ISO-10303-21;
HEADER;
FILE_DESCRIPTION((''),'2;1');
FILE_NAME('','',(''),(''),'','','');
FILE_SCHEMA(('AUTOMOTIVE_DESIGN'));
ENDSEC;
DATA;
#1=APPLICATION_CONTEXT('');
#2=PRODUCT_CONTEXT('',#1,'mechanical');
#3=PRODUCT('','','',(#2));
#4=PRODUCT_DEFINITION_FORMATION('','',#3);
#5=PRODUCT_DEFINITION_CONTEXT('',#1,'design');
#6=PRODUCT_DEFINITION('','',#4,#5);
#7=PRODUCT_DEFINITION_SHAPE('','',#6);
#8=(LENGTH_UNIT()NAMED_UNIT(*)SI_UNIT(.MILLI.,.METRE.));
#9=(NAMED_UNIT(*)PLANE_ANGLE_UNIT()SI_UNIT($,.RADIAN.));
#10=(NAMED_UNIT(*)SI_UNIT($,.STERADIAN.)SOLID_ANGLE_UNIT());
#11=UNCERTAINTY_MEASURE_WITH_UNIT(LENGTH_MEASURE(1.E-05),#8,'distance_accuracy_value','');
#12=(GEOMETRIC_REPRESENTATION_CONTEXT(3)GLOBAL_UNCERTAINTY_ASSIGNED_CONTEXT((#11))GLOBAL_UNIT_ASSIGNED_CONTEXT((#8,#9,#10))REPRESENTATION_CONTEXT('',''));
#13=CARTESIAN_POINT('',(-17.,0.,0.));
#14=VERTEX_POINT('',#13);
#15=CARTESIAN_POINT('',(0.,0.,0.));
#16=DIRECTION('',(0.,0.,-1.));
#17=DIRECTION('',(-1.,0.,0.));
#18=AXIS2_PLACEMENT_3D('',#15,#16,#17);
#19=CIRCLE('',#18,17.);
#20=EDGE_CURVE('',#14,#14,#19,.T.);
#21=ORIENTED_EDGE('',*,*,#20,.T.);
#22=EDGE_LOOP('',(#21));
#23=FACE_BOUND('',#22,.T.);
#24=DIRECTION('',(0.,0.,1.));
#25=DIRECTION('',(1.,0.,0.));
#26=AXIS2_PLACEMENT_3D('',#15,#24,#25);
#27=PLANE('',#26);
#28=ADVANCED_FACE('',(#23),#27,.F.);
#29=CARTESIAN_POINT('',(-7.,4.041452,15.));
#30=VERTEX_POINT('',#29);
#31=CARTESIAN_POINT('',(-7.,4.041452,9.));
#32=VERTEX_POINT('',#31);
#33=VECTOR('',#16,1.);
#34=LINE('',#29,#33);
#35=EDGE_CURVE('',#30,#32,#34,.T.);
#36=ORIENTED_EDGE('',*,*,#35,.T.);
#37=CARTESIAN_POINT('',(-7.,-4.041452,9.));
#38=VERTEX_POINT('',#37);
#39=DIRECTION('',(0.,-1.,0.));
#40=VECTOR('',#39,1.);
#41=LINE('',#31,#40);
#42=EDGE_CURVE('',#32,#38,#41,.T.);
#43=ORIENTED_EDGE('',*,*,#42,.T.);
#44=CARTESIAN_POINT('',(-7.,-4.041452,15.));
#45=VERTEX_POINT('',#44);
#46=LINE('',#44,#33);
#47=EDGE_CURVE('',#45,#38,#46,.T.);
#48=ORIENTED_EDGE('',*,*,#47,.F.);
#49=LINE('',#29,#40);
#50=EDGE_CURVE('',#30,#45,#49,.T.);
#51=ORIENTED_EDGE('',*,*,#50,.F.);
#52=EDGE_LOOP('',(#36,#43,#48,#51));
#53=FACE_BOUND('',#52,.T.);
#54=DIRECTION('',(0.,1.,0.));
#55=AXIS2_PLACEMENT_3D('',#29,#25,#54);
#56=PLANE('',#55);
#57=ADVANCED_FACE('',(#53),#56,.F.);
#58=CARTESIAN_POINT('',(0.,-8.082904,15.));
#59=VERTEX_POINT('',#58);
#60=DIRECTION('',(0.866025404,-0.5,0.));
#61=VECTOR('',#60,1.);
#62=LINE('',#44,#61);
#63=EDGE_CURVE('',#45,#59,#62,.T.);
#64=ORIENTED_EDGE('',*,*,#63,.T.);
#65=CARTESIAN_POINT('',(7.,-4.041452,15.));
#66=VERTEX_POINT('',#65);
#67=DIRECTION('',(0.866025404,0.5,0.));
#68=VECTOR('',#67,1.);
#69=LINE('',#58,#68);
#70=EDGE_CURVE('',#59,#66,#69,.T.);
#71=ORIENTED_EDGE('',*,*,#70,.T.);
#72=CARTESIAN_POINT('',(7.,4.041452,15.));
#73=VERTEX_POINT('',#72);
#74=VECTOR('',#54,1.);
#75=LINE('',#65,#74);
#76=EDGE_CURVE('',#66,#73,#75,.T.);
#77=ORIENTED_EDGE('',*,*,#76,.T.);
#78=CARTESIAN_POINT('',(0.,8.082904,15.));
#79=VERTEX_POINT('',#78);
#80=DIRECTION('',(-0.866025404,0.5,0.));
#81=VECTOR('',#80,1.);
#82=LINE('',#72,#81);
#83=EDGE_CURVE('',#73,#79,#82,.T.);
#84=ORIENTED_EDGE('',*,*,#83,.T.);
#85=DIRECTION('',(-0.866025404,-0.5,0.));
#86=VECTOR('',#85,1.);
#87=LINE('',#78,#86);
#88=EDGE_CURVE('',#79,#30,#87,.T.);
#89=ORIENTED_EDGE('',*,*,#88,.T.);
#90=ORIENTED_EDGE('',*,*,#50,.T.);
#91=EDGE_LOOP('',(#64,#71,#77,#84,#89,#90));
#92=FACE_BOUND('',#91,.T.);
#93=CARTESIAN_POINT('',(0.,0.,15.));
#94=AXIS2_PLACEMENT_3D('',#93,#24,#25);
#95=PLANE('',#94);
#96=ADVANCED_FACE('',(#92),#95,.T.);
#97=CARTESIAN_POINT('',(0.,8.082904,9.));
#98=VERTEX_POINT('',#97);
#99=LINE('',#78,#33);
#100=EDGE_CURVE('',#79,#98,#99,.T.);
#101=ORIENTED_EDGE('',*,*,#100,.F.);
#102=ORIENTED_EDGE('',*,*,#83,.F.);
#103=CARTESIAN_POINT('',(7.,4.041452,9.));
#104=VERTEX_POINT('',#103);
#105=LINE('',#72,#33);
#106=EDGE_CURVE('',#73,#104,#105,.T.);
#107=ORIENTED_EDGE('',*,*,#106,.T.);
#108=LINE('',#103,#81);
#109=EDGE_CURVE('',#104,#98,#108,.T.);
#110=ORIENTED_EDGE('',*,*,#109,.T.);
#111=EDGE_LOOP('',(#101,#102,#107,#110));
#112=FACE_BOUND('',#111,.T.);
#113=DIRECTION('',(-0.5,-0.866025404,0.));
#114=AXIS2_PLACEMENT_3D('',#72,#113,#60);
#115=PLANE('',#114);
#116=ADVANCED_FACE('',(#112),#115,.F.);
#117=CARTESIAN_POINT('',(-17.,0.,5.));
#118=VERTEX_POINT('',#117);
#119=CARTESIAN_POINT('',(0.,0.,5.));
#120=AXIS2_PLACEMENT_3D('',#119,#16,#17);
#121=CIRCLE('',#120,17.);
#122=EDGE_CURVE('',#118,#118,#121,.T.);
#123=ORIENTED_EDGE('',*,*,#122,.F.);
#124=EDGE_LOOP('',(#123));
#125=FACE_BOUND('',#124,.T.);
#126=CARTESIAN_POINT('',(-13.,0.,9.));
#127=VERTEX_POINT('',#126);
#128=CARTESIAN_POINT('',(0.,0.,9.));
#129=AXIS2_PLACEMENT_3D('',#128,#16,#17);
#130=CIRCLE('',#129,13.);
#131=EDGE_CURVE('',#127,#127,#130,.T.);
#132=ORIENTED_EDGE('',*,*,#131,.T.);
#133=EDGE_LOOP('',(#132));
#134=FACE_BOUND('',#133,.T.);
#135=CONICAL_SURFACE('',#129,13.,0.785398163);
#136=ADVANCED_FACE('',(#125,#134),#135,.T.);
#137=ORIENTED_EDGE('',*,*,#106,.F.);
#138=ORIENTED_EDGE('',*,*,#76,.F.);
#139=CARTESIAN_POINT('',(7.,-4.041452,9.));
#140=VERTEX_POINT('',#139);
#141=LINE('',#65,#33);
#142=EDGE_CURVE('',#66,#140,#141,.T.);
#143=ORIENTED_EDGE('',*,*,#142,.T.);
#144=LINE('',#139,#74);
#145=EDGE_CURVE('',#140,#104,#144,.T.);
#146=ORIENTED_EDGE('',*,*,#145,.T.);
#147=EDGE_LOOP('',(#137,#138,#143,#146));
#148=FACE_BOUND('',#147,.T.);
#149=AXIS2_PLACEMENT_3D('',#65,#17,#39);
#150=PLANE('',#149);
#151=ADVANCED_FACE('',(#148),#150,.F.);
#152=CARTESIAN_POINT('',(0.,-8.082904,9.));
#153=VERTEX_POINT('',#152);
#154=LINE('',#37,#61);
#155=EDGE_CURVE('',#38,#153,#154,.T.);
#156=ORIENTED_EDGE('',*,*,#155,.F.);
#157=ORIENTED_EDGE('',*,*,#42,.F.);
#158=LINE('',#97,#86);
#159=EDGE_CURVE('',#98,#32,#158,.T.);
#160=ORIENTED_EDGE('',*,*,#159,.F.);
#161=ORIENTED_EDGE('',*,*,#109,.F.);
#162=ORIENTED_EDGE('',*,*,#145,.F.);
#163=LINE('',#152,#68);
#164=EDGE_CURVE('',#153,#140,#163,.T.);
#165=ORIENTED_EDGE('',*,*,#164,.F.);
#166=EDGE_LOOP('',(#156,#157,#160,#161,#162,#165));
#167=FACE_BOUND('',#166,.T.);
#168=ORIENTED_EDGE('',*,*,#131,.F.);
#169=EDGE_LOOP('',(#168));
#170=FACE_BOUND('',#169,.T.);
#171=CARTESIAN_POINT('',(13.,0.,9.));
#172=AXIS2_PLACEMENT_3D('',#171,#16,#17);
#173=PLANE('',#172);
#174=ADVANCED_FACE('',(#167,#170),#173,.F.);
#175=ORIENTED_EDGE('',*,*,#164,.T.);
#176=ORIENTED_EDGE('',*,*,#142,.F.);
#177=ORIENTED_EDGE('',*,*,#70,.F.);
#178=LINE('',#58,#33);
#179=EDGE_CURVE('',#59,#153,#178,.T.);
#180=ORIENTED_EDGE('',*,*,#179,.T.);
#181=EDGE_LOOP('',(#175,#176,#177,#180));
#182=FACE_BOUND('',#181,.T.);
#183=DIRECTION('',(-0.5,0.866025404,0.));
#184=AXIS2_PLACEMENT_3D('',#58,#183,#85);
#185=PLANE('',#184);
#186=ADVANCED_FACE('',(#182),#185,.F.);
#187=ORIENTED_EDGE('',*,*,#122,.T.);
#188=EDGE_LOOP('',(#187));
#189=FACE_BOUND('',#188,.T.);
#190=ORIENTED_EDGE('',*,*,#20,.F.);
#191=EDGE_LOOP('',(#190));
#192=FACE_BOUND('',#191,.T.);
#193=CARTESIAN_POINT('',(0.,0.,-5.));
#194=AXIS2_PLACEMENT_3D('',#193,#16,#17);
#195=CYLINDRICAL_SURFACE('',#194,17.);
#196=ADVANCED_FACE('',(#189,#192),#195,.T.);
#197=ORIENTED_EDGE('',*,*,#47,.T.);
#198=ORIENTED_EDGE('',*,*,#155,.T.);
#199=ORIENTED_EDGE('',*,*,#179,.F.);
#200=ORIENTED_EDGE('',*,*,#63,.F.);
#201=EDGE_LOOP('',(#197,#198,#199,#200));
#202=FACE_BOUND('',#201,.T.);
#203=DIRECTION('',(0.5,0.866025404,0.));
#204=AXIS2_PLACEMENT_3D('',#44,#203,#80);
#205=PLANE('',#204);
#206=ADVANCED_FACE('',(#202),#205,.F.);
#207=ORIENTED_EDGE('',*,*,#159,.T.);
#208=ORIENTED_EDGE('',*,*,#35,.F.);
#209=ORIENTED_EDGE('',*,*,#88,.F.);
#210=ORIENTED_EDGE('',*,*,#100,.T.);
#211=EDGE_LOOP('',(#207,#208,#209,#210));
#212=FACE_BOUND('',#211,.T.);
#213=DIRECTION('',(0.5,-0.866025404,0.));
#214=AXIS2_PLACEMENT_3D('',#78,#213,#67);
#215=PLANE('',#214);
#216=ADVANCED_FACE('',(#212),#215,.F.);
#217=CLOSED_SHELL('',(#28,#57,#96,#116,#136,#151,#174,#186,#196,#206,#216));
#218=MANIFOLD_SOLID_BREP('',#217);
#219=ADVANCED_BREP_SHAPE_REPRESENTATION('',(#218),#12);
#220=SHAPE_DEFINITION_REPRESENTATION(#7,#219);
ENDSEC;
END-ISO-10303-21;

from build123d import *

# Parameters (mm, degrees)
EXTRUDE_START   = 9
EXTRUDE_1_DEPTH = 6


with BuildPart() as part:
    # Revolve profile 1 → Revolve 1 (revolve)
    with BuildSketch(Plane(origin=(0, 0, 0), x_dir=(1, 0, 0), z_dir=(0, 1, 0))):
        Polygon((0, 0), (17, 0), (17, -5), (13, -9), (0, -9), align=None)
    revolve(axis=Axis((0, 0, -5), (0, 0, 1)))


with BuildPart() as body_2:
    # Extrude sketch 1 → Extrude 1 (new body)
    with BuildSketch(Plane.XY.offset(EXTRUDE_START)):
        Polygon((7, 4.041451884), (0, 8.082903769), (-7, 4.041451884), (-7, -4.041451884), (0, -8.082903769), (7, -4.041451884), align=None)
    extrude(amount=EXTRUDE_1_DEPTH)


with BuildPart() as part_1:
    add(part.part)

    # Combine (weld / assembly of features): union body 2
    add(body_2.part)


solid = part_1.part
